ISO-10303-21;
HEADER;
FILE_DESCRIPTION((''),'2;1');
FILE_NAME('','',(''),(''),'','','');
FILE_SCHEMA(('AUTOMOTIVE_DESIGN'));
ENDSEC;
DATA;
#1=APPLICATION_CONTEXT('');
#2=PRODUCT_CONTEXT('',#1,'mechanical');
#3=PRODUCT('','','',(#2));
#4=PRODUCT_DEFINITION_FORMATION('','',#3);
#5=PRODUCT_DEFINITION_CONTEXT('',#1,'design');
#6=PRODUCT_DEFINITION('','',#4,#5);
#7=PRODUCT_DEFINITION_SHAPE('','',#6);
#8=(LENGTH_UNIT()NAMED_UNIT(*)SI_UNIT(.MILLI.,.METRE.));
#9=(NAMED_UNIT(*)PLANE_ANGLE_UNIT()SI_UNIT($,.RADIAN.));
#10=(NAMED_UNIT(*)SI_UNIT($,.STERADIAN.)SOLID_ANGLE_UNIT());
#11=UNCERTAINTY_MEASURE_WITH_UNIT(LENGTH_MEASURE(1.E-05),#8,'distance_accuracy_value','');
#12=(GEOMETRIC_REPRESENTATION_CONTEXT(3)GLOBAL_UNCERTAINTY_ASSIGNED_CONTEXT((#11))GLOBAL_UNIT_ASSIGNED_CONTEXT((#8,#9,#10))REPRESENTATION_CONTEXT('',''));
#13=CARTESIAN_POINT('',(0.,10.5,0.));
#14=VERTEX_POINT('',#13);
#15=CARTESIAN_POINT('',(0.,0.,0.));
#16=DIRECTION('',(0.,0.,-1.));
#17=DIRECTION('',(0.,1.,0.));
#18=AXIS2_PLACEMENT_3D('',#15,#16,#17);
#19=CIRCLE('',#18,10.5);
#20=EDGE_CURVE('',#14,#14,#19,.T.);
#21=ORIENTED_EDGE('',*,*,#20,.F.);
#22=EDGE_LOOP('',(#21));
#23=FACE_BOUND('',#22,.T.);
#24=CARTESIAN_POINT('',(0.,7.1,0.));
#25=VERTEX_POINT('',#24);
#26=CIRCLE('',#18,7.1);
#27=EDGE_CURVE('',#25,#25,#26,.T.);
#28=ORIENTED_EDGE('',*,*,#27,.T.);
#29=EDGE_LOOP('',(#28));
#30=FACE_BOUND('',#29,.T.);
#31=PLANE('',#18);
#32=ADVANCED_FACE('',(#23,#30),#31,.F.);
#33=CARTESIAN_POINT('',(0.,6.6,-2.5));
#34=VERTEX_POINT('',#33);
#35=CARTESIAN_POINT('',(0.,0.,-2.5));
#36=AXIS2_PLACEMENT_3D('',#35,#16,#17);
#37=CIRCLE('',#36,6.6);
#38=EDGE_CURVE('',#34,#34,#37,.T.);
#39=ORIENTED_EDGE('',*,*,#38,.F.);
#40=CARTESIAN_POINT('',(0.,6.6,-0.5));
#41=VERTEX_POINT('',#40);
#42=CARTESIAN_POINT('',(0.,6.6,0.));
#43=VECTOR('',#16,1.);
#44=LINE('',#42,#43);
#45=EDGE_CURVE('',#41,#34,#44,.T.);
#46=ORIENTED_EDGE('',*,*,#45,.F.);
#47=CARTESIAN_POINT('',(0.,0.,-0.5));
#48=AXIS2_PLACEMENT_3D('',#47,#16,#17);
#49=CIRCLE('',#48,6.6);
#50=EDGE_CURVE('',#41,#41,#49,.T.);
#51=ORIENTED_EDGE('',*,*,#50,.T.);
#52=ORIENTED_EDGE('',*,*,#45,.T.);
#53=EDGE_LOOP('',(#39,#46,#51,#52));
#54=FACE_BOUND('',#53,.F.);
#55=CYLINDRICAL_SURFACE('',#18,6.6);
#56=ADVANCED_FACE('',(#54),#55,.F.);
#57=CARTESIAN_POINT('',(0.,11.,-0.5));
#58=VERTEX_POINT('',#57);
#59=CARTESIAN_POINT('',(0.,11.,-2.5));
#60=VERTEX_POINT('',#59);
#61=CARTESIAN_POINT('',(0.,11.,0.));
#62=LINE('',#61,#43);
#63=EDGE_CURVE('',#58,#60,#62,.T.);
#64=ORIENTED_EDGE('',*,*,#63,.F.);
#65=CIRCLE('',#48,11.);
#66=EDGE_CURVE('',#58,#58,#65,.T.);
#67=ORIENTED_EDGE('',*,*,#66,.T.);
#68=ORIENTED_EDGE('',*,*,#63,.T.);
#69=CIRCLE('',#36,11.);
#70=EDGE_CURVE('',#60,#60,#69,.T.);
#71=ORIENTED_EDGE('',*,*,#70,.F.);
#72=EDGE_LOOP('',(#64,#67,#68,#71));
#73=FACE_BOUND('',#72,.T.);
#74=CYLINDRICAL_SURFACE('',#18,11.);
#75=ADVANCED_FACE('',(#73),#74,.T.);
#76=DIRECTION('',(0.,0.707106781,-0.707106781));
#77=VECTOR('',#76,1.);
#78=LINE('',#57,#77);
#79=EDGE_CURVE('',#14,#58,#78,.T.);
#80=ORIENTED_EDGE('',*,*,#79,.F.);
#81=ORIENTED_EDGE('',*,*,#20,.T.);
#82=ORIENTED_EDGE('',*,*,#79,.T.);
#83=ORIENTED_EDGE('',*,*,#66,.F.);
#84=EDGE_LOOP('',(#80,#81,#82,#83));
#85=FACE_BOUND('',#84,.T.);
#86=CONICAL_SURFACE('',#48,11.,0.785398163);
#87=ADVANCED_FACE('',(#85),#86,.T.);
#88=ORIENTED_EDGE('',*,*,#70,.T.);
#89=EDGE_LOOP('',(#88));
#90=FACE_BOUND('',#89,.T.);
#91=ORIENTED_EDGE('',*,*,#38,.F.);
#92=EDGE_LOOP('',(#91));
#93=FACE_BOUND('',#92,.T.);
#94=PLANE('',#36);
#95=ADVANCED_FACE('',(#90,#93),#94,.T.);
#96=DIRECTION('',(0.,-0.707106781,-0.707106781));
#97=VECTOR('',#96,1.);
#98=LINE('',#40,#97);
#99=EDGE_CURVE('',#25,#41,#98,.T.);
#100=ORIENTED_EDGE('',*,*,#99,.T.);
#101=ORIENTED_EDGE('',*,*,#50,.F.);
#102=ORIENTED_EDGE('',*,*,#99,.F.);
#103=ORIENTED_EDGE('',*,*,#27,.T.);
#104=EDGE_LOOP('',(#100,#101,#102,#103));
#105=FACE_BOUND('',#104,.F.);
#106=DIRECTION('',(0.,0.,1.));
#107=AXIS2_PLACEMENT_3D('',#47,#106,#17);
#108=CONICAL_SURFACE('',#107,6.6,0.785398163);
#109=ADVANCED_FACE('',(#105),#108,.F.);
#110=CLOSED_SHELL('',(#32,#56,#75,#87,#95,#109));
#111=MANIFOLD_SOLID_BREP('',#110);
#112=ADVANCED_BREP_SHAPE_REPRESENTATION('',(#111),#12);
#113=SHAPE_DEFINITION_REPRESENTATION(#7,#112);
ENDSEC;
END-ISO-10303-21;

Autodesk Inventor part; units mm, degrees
ref_plane "YZ Plane" through (0, 0, 0) normal (1, 0, 0) x (0, 1, 0)
ref_plane "XZ Plane" through (0, 0, 0) normal (0, 1, 0) x (-1, 0, 0)
ref_plane "XY Plane" through (0, 0, 0) normal (0, 0, 1) x (1, 0, 0)
sketch "Náčrt2" plane through (0, 0, 0) normal (1, 0, 0) x (0, 1, 0)
  line L0 (0, 0) -> (11, 0)
  line L1 (11, 0) -> (11, -2.5)
  line L2 (11, -2.5) -> (0, -2.5)
  line L3 (0, 0) -> (0, -2.5)
  line L4 (6.6, 0) -> (6.6, -2.5)
  dimension "d3" = 2.5
  dimension "d13" = 22
  dimension "d14" = 13.2
revolve "Rotace1" add sketch "Náčrt2" angle 360 about axis through (0, 0, 0) along (0, 0, -1) contours L0 L1 L2 L4
chamfer "Zkosení1" distance 0.5 angle 45 2 edges at (0, -11, 0) (0, -6.6, 0)
properties part number "DD_KVD_003_10_C" material "Nerezová ocel"
